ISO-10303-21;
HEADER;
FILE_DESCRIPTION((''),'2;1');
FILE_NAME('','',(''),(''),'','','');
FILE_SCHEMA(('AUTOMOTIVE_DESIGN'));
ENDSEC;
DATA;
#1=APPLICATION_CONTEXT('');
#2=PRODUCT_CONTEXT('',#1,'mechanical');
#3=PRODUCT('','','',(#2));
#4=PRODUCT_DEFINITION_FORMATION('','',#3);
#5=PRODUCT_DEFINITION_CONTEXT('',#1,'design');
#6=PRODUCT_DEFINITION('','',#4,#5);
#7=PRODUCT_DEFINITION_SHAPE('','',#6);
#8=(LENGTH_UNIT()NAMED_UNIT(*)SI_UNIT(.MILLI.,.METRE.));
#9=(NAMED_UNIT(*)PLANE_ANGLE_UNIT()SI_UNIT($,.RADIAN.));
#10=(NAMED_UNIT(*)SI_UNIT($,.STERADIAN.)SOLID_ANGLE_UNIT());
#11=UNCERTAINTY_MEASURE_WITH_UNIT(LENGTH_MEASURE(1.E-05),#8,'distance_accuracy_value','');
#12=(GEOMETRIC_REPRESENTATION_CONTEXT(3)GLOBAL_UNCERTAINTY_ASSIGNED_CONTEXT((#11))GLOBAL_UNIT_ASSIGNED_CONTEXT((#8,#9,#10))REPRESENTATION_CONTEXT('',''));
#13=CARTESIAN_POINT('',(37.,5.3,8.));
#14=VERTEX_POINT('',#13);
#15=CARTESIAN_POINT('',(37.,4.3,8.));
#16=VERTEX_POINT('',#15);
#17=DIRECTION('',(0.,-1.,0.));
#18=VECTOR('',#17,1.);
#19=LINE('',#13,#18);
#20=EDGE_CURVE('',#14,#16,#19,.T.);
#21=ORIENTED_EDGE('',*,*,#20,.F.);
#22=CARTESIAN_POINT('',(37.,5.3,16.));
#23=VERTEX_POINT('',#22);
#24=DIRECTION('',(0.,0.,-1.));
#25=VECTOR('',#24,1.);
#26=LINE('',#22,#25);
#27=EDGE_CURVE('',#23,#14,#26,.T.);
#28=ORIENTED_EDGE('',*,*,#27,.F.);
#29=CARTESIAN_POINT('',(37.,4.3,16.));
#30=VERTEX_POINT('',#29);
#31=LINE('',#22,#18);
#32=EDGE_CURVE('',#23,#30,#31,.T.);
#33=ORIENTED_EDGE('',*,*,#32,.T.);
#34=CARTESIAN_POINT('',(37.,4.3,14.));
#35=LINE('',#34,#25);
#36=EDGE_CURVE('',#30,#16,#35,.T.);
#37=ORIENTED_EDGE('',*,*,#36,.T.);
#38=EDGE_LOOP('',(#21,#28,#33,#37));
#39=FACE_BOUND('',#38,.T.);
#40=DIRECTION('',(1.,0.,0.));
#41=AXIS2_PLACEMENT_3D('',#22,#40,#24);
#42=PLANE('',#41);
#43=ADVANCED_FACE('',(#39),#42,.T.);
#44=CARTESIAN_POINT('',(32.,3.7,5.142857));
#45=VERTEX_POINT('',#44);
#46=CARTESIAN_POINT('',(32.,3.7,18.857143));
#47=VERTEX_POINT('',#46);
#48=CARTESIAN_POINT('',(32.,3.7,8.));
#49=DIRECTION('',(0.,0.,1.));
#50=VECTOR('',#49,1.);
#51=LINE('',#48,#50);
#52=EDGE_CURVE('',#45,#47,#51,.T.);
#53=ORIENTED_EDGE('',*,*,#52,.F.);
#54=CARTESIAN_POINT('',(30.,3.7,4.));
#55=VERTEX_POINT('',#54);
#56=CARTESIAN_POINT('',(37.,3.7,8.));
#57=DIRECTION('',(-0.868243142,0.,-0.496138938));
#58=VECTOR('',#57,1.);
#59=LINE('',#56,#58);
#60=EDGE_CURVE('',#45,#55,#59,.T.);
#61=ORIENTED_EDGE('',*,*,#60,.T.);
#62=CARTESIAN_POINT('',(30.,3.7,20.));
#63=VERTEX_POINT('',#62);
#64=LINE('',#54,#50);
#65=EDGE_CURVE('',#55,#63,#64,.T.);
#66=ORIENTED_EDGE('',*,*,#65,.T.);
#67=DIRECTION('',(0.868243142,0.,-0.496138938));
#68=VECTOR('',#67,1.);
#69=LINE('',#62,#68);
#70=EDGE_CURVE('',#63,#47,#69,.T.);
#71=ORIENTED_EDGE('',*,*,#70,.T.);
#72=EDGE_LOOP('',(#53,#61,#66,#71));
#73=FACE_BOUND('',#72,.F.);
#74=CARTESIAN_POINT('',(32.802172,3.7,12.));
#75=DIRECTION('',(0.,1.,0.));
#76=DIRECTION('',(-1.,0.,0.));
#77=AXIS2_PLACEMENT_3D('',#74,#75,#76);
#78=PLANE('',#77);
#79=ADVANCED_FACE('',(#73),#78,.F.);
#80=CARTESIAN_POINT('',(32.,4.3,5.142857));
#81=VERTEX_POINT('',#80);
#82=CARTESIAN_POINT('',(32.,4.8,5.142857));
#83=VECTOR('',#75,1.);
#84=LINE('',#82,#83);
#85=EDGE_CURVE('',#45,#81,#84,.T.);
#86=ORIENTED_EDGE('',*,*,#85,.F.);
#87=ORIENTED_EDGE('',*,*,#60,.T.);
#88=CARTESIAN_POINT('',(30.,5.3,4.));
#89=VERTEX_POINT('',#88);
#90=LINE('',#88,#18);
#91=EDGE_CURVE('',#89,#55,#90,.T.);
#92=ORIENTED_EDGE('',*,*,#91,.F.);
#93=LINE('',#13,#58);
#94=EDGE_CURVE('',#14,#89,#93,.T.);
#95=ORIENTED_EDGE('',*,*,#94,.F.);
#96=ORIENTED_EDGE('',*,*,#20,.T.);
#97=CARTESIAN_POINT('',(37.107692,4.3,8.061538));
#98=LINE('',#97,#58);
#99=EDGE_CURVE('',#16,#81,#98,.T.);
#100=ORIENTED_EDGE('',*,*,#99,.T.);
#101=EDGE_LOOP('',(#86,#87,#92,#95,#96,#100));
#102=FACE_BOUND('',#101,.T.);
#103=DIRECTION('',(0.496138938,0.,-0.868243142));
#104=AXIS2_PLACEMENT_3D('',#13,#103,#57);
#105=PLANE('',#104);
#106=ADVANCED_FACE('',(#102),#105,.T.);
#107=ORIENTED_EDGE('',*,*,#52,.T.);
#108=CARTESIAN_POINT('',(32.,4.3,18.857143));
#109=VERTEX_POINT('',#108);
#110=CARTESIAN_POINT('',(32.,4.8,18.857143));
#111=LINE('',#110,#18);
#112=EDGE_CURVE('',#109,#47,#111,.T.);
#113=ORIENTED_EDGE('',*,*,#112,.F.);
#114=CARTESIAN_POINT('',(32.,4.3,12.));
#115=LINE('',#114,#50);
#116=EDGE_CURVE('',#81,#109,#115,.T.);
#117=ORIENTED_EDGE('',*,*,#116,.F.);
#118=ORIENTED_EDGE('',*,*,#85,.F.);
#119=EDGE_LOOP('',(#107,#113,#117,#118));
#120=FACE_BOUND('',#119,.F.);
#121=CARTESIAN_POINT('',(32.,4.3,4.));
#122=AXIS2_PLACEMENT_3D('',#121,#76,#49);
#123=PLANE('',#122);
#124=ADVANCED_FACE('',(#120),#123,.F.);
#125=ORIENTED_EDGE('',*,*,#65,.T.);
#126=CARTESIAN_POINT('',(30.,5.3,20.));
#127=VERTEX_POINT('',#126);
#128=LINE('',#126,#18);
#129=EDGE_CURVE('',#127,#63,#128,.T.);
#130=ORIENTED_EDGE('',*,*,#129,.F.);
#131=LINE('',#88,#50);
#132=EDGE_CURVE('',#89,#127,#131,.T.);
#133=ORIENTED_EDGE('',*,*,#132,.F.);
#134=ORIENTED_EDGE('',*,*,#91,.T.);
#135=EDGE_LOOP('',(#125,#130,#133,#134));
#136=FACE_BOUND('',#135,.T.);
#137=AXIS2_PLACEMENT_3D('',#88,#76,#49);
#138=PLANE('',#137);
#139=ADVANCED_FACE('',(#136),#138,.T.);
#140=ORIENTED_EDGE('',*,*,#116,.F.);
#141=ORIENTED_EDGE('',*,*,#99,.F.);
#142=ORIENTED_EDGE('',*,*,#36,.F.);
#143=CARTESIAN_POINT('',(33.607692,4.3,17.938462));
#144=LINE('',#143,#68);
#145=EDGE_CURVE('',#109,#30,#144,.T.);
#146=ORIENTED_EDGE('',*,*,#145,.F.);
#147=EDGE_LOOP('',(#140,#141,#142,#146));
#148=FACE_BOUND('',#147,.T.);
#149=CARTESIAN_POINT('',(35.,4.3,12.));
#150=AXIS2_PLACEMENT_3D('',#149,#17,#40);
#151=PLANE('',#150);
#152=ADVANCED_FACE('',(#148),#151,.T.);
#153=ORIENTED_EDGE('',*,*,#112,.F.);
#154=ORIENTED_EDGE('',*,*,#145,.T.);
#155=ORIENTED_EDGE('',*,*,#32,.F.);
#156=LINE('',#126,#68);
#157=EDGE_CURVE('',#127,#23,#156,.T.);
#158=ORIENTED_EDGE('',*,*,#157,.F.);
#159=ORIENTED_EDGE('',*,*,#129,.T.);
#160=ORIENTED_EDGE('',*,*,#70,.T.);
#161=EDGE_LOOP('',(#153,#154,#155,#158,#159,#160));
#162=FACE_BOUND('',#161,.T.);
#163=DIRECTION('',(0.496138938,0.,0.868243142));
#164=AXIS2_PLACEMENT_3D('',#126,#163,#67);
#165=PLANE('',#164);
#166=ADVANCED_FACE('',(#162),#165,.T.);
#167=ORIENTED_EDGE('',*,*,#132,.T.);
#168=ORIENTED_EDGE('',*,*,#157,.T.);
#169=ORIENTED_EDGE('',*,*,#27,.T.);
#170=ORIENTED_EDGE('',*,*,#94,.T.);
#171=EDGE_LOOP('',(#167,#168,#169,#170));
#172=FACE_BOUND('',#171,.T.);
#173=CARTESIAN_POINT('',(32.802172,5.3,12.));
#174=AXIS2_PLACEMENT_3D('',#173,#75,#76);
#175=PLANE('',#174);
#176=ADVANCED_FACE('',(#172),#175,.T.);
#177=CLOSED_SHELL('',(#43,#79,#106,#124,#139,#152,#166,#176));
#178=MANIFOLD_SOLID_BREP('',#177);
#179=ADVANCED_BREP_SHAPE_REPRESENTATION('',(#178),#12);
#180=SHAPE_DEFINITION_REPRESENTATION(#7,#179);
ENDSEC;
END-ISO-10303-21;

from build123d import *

# Parameters (mm, degrees)
SKETCH043_W      = 6
SKETCH043_H      = 16
EXTRUDE052_DEPTH = 1.6
EXTRUDE_DEPTH    = 1.6


with BuildPart() as extrude052:
    # Sketch043 → Extrude052 (new body)
    with BuildSketch(Plane.XZ.offset(-4.3)):
        with Locations((35, 12)):
            Rectangle(SKETCH043_W, SKETCH043_H)
    extrude(amount=EXTRUDE052_DEPTH)


with BuildPart() as switch_connector:
    # Sketch → Extrude (new body)
    with BuildSketch(Plane.XZ.offset(-5.3)):
        Polygon((37, 16), (37, 8), (30, 4), (30, 20), align=None)
    extrude(amount=EXTRUDE_DEPTH)

    # Cut028: cut Extrude052
    add(extrude052.part, mode=Mode.SUBTRACT)


solid = switch_connector.part
